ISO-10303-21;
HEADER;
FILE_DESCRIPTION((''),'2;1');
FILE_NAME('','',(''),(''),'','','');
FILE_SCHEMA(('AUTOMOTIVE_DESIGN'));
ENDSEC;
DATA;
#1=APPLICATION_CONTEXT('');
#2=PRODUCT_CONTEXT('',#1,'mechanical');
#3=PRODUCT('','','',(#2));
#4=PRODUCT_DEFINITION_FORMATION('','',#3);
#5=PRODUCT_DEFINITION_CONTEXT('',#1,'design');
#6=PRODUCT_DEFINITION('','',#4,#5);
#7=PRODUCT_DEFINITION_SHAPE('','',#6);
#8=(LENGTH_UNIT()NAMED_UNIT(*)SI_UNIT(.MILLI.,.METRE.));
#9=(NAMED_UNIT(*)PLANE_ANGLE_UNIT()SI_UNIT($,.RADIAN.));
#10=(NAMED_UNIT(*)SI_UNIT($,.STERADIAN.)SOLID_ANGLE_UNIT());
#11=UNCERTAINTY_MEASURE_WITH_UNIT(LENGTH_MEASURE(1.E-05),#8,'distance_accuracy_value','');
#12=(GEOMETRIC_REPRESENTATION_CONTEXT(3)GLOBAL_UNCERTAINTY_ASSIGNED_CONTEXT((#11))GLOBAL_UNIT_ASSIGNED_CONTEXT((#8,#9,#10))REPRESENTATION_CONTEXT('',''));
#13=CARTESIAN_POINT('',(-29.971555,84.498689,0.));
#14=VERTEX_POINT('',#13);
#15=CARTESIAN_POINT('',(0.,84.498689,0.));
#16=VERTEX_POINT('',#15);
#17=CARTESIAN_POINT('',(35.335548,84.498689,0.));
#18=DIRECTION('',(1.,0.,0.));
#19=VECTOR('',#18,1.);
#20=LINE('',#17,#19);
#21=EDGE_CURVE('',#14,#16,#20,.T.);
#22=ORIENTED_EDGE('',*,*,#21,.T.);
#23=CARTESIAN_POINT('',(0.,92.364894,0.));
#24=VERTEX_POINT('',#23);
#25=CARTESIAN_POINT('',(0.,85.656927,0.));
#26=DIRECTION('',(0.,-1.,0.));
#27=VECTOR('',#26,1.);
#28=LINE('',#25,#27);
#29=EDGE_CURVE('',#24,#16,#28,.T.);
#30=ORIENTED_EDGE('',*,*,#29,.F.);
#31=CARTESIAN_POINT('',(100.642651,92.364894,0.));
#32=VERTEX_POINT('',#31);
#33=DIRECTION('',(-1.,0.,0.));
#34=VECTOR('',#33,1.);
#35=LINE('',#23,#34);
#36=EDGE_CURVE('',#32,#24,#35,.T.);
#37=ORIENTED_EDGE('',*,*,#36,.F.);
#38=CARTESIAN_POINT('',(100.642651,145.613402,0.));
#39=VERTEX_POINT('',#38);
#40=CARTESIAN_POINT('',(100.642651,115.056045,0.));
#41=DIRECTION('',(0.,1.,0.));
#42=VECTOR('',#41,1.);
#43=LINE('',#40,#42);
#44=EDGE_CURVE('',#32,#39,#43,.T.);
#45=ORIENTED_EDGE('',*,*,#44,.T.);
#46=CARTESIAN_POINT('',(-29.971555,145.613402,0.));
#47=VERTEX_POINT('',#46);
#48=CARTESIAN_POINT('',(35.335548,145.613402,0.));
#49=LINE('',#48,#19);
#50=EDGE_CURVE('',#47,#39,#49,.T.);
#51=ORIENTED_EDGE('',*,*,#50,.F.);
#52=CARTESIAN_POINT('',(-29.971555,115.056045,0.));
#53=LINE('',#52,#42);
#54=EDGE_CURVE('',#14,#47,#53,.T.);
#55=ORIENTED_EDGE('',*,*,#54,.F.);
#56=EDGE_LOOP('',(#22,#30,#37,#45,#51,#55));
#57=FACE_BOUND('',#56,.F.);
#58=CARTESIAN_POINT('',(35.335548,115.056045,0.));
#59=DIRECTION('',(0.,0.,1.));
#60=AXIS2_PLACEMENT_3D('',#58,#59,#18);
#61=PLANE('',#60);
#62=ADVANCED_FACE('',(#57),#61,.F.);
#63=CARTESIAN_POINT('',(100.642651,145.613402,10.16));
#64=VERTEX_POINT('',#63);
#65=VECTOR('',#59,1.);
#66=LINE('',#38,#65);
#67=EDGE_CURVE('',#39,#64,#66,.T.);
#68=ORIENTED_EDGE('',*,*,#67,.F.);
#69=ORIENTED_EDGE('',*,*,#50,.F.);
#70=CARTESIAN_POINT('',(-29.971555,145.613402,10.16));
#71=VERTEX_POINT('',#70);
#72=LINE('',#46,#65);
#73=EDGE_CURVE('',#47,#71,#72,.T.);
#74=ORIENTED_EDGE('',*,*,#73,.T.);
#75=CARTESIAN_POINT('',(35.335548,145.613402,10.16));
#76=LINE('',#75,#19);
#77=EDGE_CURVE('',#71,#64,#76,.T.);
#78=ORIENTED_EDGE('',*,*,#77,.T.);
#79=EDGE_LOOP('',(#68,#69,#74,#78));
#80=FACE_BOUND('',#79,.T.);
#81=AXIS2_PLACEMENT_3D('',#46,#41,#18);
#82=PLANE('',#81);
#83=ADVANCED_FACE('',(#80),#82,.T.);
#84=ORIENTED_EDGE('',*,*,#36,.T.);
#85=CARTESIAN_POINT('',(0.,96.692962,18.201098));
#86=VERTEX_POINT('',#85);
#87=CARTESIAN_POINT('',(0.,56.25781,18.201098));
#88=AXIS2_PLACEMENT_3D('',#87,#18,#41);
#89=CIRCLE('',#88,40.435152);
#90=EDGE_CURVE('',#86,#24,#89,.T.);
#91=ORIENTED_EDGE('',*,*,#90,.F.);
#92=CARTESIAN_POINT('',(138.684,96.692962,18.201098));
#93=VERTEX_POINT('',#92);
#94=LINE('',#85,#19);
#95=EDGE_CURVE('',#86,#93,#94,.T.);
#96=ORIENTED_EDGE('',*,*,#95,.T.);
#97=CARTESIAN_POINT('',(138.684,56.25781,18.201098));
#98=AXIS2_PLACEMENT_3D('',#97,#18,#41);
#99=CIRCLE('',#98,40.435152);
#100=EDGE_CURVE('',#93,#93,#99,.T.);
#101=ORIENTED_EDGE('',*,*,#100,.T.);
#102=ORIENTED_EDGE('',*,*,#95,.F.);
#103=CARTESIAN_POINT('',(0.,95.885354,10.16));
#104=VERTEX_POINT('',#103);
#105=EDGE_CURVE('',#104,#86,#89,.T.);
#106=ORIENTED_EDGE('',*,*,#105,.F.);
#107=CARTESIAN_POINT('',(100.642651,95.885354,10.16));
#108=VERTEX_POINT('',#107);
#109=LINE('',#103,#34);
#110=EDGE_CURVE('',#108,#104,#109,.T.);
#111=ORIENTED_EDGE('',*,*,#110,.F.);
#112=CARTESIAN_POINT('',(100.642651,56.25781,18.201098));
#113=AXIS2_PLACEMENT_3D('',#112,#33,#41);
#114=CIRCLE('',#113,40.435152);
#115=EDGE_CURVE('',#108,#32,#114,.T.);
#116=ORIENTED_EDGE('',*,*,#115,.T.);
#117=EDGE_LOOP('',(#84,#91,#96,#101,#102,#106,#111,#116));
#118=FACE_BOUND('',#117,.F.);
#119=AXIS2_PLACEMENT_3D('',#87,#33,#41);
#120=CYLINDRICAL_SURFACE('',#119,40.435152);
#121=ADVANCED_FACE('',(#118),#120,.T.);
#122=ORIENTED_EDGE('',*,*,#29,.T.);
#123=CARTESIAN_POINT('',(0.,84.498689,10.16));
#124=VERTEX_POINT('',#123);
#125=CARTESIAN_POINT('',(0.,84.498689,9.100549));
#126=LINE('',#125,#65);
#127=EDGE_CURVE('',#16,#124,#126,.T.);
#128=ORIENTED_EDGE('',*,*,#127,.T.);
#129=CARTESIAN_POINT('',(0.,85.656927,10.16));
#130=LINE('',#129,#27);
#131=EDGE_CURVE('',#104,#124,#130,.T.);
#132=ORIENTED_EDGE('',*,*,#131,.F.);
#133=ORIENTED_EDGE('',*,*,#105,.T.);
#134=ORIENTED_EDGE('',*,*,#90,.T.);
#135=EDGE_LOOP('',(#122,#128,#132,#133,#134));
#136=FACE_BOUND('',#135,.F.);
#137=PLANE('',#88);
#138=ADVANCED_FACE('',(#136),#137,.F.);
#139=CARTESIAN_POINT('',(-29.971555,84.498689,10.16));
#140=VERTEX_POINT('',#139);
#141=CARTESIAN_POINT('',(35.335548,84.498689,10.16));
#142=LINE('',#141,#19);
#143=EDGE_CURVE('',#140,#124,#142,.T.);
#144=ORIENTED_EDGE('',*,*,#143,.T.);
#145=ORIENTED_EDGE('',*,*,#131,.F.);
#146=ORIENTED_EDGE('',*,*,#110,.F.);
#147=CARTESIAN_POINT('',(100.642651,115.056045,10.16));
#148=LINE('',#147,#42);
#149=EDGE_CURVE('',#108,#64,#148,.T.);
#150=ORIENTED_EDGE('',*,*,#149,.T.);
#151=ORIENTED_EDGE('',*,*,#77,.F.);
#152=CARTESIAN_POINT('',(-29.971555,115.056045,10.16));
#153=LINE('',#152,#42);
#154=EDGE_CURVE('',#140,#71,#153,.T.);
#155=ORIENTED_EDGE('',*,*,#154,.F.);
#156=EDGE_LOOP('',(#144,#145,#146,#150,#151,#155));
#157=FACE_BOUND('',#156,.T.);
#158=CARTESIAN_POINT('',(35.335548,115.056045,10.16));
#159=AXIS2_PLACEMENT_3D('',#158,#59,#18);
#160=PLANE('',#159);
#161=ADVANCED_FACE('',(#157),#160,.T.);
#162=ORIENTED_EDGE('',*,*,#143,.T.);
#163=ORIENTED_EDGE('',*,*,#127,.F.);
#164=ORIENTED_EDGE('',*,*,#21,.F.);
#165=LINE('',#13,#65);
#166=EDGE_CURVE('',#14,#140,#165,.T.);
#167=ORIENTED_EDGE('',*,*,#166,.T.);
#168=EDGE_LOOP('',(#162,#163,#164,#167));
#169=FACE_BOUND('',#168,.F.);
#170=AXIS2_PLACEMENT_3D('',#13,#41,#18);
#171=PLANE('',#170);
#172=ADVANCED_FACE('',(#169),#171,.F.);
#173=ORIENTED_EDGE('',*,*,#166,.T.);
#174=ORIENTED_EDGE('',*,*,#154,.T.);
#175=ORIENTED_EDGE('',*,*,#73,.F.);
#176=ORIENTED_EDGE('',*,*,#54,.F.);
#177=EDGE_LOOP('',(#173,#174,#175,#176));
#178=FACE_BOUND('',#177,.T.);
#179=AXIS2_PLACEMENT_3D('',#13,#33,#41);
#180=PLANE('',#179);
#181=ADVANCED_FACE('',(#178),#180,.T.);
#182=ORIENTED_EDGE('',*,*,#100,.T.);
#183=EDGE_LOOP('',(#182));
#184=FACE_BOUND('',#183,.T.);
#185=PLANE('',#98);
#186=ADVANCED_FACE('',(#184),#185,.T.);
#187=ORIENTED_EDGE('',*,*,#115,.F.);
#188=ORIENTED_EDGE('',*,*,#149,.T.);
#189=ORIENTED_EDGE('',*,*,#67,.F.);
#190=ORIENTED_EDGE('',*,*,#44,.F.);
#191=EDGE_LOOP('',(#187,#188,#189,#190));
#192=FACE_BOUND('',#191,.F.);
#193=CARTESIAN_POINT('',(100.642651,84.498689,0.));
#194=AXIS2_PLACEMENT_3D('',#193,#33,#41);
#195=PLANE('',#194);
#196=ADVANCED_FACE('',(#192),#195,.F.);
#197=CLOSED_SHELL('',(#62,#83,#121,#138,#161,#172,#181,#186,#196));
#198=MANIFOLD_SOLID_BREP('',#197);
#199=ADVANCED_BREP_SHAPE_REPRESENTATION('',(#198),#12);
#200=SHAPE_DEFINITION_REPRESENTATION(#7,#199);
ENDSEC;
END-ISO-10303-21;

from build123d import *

# Parameters (mm, degrees)
F0_R     = 40.435152
F1_DEPTH = 138.684
F2_W     = 130.614206
F2_H     = 61.114713
F3_DEPTH = 10.16


with BuildPart() as f1:
    # F0 (on Right) → F1 (new body)
    with BuildSketch(Plane.YZ):
        with Locations((56.25781, 18.201098)):
            Circle(F0_R)
    extrude(amount=F1_DEPTH)

    # F2 (on Top) → F3 (join)
    with BuildSketch(Plane.XY):
        with Locations((35.335548, 115.056045)):
            Rectangle(F2_W, F2_H)
    extrude(amount=F3_DEPTH)


solid = f1.part
